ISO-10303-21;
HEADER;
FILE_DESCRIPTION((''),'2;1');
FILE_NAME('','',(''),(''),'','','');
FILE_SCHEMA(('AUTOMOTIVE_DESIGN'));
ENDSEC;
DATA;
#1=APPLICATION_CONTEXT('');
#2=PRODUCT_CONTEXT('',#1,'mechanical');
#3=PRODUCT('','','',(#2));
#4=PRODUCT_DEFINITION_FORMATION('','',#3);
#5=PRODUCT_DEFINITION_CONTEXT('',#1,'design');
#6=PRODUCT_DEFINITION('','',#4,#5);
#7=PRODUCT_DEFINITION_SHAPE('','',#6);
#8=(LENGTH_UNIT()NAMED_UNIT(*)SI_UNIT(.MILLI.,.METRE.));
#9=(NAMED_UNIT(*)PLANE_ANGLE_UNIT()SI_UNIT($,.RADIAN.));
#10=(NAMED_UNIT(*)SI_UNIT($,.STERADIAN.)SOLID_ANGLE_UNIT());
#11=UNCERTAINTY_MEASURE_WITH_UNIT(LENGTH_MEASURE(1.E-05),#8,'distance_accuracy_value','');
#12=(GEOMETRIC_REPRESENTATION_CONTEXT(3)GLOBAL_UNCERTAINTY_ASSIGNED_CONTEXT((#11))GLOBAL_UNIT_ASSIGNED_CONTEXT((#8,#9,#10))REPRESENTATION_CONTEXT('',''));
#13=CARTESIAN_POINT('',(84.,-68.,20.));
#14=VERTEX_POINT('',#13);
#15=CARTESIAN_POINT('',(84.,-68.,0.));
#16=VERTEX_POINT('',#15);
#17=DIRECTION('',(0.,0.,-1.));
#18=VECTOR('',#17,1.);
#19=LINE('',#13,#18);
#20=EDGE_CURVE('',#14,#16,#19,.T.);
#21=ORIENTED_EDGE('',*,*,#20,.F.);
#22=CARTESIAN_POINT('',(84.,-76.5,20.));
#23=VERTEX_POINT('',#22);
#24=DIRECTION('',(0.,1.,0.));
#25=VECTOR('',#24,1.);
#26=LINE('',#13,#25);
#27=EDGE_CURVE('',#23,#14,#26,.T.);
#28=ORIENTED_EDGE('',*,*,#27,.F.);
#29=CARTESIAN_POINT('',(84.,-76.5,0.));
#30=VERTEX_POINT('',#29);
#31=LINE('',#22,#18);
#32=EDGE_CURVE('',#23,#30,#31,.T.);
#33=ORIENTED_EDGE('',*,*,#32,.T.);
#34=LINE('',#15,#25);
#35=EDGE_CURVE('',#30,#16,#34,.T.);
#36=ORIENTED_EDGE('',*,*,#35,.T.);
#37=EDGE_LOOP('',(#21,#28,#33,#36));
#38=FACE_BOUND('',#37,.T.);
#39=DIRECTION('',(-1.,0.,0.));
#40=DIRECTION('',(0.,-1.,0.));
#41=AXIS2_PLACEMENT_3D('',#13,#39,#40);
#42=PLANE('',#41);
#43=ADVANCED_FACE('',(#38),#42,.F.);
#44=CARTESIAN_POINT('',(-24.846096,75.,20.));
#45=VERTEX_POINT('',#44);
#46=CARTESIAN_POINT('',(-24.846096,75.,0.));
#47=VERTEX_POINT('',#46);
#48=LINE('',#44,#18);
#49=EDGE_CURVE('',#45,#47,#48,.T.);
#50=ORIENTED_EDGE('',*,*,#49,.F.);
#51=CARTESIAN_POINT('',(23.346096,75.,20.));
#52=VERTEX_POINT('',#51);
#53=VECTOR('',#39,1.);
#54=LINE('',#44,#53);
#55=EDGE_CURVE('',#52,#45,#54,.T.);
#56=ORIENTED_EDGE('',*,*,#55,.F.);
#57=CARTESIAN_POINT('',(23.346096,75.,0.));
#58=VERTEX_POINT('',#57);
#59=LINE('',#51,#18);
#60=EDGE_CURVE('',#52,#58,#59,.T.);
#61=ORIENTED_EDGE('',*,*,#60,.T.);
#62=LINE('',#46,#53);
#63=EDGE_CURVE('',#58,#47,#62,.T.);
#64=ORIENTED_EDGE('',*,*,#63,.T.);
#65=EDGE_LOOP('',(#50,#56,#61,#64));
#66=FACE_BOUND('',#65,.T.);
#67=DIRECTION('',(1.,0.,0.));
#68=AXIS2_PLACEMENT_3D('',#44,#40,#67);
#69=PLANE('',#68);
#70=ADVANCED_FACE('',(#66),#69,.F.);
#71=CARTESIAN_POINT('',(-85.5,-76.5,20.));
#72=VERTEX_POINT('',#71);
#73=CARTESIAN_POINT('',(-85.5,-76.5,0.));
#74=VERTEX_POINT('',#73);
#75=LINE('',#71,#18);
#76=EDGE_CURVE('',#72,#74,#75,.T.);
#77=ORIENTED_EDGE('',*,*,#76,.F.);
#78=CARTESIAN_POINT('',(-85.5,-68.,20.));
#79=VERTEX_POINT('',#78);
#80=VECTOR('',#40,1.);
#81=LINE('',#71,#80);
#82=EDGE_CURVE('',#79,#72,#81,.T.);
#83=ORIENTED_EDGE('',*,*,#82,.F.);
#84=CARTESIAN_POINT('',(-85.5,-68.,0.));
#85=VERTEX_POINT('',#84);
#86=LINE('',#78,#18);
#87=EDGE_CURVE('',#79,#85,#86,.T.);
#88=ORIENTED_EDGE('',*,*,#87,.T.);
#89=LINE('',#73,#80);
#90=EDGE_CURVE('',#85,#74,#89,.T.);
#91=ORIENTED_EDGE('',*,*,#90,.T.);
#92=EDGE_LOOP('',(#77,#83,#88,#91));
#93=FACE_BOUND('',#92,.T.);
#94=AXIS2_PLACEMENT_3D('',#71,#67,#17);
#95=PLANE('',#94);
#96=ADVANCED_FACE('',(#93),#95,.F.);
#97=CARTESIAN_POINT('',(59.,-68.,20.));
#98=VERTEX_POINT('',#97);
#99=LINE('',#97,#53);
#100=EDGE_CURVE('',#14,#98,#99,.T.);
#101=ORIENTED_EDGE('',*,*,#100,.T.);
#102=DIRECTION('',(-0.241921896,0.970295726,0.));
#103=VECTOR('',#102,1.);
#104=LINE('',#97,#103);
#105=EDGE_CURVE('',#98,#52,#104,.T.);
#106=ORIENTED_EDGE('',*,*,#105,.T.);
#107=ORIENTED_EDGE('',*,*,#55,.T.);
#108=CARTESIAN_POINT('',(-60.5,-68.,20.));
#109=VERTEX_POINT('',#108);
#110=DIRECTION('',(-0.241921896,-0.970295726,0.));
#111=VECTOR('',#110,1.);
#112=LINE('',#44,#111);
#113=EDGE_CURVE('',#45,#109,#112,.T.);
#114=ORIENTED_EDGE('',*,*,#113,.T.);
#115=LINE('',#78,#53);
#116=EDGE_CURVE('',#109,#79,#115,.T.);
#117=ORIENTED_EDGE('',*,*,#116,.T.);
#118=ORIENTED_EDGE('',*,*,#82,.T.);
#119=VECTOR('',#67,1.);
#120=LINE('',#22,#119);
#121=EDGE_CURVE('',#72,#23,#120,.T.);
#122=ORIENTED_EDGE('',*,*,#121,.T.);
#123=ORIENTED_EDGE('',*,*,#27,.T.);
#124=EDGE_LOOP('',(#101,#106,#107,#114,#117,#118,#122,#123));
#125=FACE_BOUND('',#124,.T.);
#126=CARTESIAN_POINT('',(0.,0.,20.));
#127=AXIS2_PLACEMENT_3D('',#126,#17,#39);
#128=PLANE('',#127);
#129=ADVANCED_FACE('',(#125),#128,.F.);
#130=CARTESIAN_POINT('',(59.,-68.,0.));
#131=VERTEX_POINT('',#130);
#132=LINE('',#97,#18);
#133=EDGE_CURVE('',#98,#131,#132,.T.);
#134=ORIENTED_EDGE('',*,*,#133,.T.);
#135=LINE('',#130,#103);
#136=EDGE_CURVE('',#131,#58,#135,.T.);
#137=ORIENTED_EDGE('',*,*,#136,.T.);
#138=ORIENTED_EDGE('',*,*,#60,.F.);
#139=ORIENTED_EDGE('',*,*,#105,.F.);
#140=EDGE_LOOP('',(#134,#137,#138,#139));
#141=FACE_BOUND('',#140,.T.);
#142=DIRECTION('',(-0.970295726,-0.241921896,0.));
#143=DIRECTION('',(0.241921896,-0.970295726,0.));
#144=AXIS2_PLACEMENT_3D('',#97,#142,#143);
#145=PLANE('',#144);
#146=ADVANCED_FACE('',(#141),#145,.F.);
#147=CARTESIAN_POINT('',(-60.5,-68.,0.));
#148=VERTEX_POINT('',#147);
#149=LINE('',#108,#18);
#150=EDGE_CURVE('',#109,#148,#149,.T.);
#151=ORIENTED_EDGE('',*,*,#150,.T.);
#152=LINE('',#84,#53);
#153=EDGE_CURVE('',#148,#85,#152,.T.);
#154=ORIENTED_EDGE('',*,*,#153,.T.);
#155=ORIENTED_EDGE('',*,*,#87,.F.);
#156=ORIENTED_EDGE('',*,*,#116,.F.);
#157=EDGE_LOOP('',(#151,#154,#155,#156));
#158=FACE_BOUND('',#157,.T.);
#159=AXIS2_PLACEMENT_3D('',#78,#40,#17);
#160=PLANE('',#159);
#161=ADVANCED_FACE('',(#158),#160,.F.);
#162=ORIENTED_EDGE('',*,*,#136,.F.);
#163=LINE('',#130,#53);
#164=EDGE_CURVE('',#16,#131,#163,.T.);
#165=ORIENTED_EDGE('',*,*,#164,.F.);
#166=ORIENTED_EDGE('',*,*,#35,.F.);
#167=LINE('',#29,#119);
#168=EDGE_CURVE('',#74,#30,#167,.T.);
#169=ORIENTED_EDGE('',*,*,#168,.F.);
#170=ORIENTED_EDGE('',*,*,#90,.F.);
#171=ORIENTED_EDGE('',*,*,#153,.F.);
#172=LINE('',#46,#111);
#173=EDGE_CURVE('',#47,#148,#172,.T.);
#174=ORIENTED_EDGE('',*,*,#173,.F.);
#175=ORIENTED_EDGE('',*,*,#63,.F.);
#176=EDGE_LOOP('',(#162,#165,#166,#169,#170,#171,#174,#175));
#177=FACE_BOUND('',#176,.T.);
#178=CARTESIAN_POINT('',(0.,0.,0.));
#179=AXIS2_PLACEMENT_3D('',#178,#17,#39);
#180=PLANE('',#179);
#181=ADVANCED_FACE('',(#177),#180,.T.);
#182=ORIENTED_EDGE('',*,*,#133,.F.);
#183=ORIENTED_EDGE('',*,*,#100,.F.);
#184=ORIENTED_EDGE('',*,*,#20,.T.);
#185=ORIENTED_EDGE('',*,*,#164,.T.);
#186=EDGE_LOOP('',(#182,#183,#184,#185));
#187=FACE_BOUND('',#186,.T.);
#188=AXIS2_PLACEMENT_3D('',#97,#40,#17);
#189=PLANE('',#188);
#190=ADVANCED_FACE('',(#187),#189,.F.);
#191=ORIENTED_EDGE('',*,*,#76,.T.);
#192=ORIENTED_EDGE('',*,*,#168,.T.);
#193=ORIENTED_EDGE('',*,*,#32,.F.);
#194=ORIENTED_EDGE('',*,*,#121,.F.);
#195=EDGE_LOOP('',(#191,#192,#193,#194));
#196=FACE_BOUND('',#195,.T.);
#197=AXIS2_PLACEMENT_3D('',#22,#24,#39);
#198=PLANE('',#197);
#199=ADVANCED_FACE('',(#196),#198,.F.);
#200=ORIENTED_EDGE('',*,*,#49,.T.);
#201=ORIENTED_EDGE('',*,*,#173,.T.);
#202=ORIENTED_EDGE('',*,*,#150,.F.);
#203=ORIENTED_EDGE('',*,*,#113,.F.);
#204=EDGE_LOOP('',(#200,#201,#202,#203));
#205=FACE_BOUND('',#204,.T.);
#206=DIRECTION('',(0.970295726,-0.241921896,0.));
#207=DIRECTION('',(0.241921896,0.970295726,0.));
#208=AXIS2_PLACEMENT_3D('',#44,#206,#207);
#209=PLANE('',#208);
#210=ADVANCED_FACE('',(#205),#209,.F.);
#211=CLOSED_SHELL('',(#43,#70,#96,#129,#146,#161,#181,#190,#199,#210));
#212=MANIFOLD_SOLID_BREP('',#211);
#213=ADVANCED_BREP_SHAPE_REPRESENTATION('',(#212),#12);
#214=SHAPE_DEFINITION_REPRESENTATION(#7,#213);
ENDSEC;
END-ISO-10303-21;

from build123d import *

# Parameters (mm, degrees)
BOSS_EXTRUDE1_DEPTH = 20


with BuildPart() as part:
    # Sketch1 → Boss-Extrude1 (new body)
    with BuildSketch(Plane.XY):
        Polygon((-85.5, -68), (-60.5, -68), (-24.846095593, 75), (23.346095593, 75), (59, -68), (84, -68), (84, -76.5), (-85.5, -76.5), align=None)
    extrude(amount=BOSS_EXTRUDE1_DEPTH)


solid = part.part
